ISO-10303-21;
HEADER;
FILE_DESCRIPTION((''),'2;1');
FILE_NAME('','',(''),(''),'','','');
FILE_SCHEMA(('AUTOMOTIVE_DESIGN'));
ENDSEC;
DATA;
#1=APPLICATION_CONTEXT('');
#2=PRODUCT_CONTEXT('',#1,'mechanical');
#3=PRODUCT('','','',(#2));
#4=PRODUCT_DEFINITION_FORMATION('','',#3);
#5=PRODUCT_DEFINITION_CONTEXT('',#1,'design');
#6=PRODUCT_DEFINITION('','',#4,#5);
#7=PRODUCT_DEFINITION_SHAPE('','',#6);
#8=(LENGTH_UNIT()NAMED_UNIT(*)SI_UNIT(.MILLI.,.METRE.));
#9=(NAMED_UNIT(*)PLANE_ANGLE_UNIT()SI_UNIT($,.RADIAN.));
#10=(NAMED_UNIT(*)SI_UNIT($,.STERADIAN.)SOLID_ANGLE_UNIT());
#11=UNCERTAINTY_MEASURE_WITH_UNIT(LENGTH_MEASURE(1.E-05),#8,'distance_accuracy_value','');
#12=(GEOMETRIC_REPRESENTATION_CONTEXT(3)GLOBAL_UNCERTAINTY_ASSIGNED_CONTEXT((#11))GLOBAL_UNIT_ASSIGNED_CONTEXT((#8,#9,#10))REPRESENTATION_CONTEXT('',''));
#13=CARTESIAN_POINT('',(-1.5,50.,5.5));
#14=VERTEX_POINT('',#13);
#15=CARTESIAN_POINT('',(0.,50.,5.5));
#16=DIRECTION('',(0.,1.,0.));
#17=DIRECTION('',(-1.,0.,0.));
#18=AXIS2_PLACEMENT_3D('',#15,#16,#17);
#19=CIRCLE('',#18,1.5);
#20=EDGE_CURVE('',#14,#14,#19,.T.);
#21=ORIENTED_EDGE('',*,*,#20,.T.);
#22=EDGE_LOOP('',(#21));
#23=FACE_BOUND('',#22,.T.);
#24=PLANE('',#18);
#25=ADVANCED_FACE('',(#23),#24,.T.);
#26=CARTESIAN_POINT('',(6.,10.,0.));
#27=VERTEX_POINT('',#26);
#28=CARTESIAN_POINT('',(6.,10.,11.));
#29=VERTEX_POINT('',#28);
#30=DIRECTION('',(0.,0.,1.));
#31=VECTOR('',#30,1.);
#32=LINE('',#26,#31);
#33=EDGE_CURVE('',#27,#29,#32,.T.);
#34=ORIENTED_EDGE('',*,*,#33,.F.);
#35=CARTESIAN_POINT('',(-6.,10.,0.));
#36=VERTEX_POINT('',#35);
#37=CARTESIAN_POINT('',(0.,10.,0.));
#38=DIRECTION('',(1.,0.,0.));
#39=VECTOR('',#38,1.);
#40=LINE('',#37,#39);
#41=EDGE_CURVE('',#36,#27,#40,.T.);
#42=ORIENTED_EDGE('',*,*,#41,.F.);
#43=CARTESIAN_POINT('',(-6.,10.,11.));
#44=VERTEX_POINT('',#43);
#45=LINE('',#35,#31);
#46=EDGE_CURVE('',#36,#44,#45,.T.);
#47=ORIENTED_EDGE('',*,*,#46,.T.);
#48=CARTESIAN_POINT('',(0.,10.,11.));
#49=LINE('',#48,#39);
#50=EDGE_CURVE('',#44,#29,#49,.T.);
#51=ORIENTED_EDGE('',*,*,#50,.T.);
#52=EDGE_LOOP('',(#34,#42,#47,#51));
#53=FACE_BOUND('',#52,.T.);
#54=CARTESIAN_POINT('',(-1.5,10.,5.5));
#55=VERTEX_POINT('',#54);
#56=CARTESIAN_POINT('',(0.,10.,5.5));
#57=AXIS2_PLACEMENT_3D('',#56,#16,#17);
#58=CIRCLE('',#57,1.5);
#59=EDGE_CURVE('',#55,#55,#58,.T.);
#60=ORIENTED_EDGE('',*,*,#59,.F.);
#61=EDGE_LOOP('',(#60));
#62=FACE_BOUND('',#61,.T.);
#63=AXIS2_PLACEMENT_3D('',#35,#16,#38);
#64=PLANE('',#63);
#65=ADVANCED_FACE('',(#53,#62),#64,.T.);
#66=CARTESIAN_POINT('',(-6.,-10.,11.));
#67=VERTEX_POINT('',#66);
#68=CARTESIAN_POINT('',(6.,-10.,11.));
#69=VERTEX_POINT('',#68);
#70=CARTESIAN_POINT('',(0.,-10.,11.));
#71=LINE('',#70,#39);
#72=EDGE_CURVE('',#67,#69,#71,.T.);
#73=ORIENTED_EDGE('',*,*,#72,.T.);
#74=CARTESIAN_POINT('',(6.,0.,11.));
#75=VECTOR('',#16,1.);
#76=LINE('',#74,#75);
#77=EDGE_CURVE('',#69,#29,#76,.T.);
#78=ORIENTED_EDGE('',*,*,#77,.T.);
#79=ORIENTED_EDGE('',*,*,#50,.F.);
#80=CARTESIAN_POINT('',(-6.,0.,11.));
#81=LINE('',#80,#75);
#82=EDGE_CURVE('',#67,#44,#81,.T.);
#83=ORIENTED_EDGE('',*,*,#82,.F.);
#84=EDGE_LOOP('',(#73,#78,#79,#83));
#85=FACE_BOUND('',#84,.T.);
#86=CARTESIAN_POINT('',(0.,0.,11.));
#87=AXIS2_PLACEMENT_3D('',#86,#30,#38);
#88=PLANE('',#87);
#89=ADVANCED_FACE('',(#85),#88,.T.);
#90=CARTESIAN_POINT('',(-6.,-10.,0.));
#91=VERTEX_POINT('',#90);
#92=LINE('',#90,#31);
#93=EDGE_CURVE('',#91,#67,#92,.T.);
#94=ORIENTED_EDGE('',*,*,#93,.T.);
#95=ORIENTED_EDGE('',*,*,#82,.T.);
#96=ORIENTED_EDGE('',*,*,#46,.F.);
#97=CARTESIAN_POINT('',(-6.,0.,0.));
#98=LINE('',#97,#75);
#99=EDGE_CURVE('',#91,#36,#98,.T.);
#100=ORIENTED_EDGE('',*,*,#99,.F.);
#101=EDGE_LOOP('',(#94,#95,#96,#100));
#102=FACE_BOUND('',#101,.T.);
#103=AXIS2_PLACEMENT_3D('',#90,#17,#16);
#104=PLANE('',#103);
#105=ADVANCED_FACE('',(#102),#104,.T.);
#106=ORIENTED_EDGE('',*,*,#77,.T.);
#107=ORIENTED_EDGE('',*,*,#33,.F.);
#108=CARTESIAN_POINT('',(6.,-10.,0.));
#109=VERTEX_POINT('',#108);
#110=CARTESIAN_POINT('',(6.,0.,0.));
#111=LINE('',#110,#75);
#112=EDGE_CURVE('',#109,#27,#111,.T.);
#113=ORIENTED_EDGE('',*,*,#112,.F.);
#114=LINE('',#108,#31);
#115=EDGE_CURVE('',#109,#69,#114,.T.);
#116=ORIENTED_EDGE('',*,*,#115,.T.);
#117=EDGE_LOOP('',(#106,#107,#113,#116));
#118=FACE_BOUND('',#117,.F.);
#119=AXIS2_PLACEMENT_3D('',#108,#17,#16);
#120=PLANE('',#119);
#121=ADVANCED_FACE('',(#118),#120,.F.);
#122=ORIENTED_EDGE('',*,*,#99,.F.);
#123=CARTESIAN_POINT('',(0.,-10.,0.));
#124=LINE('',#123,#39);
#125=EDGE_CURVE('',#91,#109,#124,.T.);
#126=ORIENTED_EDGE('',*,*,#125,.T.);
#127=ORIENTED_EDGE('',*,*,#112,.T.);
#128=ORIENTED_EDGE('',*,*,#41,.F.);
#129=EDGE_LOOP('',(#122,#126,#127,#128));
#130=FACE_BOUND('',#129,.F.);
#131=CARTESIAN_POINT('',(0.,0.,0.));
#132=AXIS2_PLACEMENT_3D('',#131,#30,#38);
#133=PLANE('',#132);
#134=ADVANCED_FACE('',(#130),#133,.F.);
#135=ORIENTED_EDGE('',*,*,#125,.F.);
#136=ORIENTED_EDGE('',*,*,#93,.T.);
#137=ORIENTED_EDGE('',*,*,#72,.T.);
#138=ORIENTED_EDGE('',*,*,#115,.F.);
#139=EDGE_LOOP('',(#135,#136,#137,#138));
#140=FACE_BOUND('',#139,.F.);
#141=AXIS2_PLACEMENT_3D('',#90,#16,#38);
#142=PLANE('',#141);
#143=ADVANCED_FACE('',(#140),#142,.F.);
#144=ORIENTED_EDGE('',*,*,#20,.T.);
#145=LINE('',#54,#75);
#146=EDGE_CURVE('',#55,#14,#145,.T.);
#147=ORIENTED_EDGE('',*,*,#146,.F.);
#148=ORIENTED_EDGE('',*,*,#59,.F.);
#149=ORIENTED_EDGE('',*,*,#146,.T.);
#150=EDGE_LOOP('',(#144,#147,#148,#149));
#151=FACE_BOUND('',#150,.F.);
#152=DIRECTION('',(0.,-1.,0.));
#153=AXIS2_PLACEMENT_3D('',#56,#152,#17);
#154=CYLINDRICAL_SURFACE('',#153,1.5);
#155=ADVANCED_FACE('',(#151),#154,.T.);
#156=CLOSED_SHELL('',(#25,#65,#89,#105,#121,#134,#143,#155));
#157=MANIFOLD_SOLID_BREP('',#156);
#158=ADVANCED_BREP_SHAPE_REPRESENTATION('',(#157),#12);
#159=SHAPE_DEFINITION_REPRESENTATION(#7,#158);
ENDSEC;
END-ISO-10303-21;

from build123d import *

# Parameters (mm, degrees)
F0_W     = 12
F0_H     = 20
F1_DEPTH = 11
F2_R     = 1.5
F3_DEPTH = 40


with BuildPart() as f1:
    # F0 (on Top) → F1 (new body)
    with BuildSketch(Plane.XY):
        Rectangle(F0_W, F0_H)
    extrude(amount=F1_DEPTH)

    # F2 (on face) → F3 (join)
    with BuildSketch(Plane(origin=(0, 10, 0), x_dir=(-1, 0, 0), z_dir=(0, 1, 0))):
        with Locations((0, 5.5)):
            Circle(F2_R)
    extrude(amount=F3_DEPTH)


solid = f1.part
